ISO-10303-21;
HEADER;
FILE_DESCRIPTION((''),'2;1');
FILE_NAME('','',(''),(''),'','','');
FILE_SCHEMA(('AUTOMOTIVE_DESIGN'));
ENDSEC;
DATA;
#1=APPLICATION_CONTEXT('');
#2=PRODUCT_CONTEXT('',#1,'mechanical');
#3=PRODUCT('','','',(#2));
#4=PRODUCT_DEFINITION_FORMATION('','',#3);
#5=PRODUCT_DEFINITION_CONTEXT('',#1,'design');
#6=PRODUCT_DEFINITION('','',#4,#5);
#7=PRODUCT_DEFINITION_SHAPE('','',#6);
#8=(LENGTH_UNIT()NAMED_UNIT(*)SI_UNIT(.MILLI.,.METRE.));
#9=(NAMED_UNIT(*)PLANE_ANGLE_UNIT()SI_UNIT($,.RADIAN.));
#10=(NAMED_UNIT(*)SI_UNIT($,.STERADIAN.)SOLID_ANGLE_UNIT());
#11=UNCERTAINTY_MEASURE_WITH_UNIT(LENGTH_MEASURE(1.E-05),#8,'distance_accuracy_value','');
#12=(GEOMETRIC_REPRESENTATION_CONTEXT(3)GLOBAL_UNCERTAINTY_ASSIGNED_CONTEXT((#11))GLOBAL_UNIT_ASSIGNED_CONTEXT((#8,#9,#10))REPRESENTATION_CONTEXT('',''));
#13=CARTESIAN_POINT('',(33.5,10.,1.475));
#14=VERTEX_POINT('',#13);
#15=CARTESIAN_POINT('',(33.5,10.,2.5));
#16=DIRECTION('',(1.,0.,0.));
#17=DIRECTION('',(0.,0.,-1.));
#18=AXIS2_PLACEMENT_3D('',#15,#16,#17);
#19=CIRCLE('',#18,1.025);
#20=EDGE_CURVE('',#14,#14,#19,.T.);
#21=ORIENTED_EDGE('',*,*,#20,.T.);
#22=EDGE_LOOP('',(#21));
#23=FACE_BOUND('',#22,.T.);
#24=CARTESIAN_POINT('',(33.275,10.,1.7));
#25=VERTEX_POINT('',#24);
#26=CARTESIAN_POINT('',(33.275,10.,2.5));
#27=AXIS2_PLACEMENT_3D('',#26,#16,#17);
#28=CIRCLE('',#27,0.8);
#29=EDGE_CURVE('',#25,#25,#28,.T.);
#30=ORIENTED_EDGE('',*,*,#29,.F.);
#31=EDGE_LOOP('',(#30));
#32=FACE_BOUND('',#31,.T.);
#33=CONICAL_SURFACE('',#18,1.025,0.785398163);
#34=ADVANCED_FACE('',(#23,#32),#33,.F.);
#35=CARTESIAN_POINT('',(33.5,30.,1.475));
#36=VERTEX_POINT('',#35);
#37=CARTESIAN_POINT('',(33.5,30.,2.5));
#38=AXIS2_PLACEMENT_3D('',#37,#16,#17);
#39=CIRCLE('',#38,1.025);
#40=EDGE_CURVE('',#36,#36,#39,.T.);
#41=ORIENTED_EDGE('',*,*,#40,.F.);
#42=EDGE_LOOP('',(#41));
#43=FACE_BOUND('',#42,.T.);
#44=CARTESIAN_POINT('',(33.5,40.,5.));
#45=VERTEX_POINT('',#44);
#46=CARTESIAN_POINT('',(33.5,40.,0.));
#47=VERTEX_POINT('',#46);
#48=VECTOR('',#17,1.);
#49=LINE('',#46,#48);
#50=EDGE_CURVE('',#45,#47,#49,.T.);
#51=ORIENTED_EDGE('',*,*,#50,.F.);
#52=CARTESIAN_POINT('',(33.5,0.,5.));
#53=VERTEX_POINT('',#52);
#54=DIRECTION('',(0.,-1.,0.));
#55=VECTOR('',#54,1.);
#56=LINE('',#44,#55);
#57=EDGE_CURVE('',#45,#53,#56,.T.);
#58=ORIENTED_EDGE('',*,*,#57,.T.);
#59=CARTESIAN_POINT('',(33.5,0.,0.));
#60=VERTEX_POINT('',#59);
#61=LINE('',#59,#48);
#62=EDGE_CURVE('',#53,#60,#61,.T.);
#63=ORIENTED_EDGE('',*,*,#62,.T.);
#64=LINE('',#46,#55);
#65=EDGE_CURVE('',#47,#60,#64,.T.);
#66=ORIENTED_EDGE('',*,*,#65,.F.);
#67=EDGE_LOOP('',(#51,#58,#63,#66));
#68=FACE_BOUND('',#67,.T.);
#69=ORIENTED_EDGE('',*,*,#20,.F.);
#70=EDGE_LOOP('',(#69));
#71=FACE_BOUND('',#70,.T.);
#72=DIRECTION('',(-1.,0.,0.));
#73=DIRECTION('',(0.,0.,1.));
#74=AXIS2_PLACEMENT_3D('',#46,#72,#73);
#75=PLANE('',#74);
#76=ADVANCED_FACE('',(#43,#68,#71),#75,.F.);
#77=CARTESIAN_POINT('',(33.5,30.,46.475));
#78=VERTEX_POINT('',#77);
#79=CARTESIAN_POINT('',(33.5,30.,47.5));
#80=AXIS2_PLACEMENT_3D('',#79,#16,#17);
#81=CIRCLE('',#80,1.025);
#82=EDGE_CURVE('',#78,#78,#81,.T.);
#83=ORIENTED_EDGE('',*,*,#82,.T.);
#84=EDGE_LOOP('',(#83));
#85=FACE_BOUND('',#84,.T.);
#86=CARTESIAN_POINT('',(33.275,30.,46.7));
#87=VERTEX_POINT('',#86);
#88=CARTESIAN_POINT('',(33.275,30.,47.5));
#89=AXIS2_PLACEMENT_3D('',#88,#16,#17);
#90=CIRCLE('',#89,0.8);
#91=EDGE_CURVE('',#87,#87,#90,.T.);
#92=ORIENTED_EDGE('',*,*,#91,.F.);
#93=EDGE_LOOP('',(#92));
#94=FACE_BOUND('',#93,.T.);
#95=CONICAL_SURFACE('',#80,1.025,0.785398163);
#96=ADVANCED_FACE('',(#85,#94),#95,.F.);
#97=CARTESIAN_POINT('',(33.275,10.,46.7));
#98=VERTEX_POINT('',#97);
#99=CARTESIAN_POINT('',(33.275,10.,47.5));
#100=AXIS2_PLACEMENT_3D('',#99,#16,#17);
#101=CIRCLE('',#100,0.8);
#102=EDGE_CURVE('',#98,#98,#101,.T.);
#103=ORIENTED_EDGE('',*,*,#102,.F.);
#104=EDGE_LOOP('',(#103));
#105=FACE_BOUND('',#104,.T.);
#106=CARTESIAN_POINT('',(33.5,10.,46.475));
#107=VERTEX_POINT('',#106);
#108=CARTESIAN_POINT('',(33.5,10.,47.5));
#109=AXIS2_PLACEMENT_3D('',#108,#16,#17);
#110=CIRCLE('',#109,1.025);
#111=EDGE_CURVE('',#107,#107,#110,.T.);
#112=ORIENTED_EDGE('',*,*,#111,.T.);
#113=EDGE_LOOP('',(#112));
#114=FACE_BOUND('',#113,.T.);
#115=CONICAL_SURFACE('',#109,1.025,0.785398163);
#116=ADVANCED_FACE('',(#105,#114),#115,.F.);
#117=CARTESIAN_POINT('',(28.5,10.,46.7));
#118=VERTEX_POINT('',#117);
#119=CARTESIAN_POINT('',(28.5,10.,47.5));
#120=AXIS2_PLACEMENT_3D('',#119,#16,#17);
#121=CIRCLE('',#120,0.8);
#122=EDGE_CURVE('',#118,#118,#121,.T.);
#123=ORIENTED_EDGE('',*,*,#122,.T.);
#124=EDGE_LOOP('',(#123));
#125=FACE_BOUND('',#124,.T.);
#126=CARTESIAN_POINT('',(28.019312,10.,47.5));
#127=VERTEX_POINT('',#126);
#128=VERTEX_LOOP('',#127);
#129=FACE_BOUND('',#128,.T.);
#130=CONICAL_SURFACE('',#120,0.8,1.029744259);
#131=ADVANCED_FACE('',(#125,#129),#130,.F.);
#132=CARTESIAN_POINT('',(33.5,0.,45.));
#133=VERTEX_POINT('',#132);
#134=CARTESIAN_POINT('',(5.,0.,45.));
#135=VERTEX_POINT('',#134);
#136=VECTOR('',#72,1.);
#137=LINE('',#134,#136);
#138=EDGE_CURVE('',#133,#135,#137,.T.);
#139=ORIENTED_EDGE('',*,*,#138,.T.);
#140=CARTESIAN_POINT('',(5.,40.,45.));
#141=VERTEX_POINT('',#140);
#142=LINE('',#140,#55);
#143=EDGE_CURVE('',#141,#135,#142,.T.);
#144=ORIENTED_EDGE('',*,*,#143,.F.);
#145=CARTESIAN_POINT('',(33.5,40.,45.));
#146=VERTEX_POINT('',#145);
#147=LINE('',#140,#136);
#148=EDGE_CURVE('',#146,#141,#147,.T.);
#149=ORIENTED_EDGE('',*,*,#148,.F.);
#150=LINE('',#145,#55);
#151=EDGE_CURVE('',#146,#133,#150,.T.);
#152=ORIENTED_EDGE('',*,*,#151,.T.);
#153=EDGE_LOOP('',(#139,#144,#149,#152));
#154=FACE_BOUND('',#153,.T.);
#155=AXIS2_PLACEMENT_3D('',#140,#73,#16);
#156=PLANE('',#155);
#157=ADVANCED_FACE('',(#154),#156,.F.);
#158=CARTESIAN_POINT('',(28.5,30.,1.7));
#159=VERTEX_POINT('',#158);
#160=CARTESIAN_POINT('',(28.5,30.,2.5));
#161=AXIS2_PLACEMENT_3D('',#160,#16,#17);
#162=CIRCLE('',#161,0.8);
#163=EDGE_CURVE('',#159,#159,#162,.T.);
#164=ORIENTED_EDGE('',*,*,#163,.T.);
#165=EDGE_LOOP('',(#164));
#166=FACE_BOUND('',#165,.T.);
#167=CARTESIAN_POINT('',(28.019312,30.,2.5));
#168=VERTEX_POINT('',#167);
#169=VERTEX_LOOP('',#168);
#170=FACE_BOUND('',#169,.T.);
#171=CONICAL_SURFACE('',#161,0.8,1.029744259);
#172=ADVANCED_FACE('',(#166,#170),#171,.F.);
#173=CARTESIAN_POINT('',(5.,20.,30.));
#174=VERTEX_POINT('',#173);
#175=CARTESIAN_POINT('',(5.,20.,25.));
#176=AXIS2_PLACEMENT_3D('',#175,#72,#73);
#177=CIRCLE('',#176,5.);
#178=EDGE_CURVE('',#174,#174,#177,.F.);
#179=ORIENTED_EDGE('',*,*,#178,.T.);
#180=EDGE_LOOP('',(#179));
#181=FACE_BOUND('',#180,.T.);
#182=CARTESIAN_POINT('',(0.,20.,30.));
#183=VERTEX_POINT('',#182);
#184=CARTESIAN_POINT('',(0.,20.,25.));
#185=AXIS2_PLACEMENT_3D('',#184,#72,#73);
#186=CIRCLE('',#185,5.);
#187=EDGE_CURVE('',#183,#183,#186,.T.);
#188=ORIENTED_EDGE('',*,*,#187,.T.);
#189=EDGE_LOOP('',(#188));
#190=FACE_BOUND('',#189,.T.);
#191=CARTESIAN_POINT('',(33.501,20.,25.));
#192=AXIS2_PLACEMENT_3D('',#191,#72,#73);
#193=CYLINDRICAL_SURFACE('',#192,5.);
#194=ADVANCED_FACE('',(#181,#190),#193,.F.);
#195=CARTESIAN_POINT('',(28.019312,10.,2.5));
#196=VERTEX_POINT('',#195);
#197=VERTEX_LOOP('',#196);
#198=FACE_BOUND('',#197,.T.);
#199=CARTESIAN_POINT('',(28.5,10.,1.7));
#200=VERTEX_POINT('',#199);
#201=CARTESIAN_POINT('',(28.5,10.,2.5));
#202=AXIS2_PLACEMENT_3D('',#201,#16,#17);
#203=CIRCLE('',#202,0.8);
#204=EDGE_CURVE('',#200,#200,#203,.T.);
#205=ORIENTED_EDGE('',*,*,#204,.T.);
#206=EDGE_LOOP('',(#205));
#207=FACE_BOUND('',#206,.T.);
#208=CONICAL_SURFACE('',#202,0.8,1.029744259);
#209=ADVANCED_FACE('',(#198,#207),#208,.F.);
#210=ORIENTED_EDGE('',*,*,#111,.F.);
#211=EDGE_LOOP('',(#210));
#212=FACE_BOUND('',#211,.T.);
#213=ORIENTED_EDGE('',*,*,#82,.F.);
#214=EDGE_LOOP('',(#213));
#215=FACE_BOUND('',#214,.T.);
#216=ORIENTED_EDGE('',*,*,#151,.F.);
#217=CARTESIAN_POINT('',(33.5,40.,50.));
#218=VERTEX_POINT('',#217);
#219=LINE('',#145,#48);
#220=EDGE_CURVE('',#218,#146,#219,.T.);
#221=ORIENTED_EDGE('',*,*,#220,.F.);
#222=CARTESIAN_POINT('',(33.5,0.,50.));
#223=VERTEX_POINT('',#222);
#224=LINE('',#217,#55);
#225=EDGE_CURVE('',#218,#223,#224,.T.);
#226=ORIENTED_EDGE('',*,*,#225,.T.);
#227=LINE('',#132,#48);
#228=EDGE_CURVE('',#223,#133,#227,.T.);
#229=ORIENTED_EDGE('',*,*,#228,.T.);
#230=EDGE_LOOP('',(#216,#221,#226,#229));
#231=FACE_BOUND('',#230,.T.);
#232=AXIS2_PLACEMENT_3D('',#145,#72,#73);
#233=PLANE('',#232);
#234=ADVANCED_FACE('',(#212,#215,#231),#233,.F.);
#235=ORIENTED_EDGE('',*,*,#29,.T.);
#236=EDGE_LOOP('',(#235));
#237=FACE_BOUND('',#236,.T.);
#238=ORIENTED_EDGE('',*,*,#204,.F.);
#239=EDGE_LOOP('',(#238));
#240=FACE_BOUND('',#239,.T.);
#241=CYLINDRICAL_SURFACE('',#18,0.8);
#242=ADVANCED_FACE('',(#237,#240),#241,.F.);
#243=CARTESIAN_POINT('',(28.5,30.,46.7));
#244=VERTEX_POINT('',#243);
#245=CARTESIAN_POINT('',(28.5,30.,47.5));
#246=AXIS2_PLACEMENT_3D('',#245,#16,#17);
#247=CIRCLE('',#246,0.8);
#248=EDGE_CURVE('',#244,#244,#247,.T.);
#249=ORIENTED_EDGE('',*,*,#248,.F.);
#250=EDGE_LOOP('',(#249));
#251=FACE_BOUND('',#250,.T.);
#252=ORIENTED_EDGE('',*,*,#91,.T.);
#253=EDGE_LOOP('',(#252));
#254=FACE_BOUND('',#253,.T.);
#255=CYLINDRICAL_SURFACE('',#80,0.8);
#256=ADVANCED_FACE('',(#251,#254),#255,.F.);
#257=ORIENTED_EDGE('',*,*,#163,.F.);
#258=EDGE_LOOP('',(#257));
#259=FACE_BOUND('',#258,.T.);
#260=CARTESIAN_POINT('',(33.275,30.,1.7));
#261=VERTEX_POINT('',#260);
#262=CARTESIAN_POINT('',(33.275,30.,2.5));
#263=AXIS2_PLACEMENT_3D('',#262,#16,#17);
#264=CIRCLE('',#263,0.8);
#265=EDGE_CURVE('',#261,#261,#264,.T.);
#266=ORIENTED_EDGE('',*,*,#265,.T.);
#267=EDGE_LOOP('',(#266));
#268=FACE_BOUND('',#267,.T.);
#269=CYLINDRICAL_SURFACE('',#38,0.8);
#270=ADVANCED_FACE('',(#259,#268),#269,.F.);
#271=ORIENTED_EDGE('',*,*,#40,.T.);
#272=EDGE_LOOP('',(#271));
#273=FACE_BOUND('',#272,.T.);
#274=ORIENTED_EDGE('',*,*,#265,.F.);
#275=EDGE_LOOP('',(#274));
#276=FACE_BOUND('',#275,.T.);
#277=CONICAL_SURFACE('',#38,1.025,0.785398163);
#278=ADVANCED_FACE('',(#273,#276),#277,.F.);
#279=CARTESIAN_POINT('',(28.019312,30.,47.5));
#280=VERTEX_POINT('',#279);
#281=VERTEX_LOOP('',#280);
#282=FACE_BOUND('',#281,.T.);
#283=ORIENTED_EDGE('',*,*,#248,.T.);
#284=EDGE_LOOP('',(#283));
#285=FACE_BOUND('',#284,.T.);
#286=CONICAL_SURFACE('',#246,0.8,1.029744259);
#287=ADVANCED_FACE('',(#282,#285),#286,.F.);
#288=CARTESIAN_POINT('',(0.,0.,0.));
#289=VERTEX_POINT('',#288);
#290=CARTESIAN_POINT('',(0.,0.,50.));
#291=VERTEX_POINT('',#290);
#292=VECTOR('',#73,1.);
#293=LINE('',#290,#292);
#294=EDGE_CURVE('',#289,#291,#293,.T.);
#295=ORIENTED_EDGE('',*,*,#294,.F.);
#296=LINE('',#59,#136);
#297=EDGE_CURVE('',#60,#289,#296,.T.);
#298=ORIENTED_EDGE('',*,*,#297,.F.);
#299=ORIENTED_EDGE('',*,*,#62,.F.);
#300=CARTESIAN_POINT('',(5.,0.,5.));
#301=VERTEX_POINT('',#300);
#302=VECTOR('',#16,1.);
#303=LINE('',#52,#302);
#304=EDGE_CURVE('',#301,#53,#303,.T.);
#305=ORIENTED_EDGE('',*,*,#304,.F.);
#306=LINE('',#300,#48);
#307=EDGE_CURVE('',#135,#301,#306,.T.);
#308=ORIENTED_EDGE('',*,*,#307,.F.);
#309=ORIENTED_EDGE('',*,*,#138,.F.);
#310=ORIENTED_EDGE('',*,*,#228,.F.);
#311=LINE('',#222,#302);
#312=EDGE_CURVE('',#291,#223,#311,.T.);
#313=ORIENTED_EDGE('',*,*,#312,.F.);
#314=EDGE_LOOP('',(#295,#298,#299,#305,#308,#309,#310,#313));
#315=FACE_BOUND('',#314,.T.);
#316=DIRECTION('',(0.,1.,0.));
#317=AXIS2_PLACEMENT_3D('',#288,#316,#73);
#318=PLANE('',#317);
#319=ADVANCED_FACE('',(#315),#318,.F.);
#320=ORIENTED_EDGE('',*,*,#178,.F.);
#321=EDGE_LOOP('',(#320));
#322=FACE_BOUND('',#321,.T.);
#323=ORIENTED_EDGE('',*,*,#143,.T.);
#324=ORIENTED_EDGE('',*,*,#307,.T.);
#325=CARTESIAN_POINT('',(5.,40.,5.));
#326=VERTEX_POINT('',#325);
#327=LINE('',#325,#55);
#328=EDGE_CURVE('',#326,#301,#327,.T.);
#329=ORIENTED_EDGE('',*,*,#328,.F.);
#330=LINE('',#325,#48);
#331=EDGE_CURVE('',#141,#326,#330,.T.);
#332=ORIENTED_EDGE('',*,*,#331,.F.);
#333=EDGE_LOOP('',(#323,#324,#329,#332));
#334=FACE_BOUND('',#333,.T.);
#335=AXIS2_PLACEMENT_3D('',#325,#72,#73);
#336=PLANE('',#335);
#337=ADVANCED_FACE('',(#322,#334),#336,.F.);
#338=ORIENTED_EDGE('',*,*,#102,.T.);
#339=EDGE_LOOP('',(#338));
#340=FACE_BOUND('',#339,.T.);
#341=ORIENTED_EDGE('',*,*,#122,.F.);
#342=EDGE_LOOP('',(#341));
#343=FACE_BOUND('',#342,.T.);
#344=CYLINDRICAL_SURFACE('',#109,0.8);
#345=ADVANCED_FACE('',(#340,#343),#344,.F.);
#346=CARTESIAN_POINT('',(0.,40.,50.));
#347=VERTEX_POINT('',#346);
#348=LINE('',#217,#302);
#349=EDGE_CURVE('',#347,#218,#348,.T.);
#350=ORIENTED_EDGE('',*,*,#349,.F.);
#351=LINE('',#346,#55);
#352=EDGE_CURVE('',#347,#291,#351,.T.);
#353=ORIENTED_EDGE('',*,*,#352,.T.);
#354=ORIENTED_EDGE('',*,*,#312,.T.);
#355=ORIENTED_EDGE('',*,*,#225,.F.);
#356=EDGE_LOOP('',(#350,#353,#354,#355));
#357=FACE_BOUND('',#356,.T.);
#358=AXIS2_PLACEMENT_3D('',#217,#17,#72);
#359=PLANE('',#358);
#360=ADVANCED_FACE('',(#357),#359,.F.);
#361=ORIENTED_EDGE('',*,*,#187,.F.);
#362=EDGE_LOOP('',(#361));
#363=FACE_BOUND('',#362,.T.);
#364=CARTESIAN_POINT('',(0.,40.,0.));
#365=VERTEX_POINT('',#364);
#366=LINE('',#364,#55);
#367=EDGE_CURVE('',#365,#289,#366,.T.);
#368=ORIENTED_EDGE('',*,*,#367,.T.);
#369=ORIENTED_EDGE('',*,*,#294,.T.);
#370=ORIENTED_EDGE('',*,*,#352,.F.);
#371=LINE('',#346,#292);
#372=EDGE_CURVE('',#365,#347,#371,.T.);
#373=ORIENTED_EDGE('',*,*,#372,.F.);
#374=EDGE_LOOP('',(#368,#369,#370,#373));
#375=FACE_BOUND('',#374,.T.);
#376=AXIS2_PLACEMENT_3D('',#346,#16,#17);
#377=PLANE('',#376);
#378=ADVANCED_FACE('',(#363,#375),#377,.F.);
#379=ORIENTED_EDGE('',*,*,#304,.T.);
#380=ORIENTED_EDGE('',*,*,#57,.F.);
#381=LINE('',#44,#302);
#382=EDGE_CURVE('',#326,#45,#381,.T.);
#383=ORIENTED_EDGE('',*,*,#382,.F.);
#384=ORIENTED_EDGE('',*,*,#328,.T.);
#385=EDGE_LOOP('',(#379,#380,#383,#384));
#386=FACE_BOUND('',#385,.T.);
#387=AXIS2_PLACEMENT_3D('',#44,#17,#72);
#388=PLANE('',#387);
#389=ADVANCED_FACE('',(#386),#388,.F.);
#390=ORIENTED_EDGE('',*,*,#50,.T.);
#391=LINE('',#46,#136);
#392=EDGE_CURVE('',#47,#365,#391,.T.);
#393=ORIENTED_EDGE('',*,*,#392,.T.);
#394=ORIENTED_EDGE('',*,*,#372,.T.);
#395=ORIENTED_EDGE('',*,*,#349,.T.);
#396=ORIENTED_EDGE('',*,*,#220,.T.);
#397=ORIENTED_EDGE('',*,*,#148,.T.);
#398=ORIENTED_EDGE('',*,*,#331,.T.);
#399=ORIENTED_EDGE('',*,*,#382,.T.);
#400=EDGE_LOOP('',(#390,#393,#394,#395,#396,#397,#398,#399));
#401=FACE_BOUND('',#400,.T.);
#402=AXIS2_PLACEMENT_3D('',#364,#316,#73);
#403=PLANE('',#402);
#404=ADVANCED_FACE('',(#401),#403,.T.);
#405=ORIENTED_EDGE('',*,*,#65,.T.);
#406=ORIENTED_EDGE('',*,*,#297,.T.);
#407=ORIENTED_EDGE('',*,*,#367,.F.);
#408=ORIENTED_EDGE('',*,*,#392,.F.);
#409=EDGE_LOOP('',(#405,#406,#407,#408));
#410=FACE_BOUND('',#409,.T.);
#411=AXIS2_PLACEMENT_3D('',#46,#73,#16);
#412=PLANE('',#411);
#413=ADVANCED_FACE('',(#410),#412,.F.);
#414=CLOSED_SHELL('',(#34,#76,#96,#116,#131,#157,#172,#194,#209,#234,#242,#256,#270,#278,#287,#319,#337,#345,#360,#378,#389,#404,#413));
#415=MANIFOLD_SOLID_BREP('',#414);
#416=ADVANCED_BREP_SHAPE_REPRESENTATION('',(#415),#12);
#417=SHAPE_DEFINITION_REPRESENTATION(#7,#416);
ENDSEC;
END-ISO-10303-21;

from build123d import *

# Parameters (mm, degrees)
BOSS_EXTRUDE1_DEPTH         = 40
CUT_EXTRUDE1_REACH          = 74.265
SKETCH2_R                   = 5
M2_TAPPED_HOLE2_D           = 1.6
M2_TAPPED_HOLE2_DEPTH       = 5
M2_TAPPED_HOLE2_CSINK_D     = 2.05
M2_TAPPED_HOLE2_CSINK_ANGLE = 90
M2_TAPPED_HOLE2_TIP         = 0.480688495


with BuildPart() as part:
    # Sketch1 → Boss-Extrude1 (new body)
    with BuildSketch(Plane(origin=(0, 0, 0), x_dir=(1, 0, 0), z_dir=(0, 1, 0))):
        Polygon((33.5, 0), (33.5, -5), (5, -5), (5, -45), (33.5, -45), (33.5, -50), (0, -50), (0, 0), align=None)
    extrude(amount=BOSS_EXTRUDE1_DEPTH)

    # Sketch2 → Cut-Extrude1 (cut, up to next)
    with BuildSketch(Plane.ZY, mode=Mode.PRIVATE) as cut_extrude1_sk1:
        with Locations((25, 20)):
            Circle(SKETCH2_R)
    cut_extrude1_tool1 = extrude(cut_extrude1_sk1.sketch, amount=-CUT_EXTRUDE1_REACH, mode=Mode.PRIVATE) & part.part
    add(cut_extrude1_tool1.solids().sort_by_distance((0, 20, 25))[0], mode=Mode.SUBTRACT)

    # M2 Tapped Hole2
    with Locations(Plane(origin=(33.5, 30, 47.5), x_dir=(0, 0, 1), z_dir=(1, 0, 0))):
        with Locations((0, 0), (0, 20), (-45, 20), (-45, 0)):
            CounterSinkHole(M2_TAPPED_HOLE2_D / 2, M2_TAPPED_HOLE2_CSINK_D / 2, depth=M2_TAPPED_HOLE2_DEPTH, counter_sink_angle=M2_TAPPED_HOLE2_CSINK_ANGLE)
            with Locations((0, 0, -(M2_TAPPED_HOLE2_DEPTH + M2_TAPPED_HOLE2_TIP / 2))):  # 118° drill point
                Cone(0, M2_TAPPED_HOLE2_D / 2, M2_TAPPED_HOLE2_TIP, mode=Mode.SUBTRACT)


solid = part.part
